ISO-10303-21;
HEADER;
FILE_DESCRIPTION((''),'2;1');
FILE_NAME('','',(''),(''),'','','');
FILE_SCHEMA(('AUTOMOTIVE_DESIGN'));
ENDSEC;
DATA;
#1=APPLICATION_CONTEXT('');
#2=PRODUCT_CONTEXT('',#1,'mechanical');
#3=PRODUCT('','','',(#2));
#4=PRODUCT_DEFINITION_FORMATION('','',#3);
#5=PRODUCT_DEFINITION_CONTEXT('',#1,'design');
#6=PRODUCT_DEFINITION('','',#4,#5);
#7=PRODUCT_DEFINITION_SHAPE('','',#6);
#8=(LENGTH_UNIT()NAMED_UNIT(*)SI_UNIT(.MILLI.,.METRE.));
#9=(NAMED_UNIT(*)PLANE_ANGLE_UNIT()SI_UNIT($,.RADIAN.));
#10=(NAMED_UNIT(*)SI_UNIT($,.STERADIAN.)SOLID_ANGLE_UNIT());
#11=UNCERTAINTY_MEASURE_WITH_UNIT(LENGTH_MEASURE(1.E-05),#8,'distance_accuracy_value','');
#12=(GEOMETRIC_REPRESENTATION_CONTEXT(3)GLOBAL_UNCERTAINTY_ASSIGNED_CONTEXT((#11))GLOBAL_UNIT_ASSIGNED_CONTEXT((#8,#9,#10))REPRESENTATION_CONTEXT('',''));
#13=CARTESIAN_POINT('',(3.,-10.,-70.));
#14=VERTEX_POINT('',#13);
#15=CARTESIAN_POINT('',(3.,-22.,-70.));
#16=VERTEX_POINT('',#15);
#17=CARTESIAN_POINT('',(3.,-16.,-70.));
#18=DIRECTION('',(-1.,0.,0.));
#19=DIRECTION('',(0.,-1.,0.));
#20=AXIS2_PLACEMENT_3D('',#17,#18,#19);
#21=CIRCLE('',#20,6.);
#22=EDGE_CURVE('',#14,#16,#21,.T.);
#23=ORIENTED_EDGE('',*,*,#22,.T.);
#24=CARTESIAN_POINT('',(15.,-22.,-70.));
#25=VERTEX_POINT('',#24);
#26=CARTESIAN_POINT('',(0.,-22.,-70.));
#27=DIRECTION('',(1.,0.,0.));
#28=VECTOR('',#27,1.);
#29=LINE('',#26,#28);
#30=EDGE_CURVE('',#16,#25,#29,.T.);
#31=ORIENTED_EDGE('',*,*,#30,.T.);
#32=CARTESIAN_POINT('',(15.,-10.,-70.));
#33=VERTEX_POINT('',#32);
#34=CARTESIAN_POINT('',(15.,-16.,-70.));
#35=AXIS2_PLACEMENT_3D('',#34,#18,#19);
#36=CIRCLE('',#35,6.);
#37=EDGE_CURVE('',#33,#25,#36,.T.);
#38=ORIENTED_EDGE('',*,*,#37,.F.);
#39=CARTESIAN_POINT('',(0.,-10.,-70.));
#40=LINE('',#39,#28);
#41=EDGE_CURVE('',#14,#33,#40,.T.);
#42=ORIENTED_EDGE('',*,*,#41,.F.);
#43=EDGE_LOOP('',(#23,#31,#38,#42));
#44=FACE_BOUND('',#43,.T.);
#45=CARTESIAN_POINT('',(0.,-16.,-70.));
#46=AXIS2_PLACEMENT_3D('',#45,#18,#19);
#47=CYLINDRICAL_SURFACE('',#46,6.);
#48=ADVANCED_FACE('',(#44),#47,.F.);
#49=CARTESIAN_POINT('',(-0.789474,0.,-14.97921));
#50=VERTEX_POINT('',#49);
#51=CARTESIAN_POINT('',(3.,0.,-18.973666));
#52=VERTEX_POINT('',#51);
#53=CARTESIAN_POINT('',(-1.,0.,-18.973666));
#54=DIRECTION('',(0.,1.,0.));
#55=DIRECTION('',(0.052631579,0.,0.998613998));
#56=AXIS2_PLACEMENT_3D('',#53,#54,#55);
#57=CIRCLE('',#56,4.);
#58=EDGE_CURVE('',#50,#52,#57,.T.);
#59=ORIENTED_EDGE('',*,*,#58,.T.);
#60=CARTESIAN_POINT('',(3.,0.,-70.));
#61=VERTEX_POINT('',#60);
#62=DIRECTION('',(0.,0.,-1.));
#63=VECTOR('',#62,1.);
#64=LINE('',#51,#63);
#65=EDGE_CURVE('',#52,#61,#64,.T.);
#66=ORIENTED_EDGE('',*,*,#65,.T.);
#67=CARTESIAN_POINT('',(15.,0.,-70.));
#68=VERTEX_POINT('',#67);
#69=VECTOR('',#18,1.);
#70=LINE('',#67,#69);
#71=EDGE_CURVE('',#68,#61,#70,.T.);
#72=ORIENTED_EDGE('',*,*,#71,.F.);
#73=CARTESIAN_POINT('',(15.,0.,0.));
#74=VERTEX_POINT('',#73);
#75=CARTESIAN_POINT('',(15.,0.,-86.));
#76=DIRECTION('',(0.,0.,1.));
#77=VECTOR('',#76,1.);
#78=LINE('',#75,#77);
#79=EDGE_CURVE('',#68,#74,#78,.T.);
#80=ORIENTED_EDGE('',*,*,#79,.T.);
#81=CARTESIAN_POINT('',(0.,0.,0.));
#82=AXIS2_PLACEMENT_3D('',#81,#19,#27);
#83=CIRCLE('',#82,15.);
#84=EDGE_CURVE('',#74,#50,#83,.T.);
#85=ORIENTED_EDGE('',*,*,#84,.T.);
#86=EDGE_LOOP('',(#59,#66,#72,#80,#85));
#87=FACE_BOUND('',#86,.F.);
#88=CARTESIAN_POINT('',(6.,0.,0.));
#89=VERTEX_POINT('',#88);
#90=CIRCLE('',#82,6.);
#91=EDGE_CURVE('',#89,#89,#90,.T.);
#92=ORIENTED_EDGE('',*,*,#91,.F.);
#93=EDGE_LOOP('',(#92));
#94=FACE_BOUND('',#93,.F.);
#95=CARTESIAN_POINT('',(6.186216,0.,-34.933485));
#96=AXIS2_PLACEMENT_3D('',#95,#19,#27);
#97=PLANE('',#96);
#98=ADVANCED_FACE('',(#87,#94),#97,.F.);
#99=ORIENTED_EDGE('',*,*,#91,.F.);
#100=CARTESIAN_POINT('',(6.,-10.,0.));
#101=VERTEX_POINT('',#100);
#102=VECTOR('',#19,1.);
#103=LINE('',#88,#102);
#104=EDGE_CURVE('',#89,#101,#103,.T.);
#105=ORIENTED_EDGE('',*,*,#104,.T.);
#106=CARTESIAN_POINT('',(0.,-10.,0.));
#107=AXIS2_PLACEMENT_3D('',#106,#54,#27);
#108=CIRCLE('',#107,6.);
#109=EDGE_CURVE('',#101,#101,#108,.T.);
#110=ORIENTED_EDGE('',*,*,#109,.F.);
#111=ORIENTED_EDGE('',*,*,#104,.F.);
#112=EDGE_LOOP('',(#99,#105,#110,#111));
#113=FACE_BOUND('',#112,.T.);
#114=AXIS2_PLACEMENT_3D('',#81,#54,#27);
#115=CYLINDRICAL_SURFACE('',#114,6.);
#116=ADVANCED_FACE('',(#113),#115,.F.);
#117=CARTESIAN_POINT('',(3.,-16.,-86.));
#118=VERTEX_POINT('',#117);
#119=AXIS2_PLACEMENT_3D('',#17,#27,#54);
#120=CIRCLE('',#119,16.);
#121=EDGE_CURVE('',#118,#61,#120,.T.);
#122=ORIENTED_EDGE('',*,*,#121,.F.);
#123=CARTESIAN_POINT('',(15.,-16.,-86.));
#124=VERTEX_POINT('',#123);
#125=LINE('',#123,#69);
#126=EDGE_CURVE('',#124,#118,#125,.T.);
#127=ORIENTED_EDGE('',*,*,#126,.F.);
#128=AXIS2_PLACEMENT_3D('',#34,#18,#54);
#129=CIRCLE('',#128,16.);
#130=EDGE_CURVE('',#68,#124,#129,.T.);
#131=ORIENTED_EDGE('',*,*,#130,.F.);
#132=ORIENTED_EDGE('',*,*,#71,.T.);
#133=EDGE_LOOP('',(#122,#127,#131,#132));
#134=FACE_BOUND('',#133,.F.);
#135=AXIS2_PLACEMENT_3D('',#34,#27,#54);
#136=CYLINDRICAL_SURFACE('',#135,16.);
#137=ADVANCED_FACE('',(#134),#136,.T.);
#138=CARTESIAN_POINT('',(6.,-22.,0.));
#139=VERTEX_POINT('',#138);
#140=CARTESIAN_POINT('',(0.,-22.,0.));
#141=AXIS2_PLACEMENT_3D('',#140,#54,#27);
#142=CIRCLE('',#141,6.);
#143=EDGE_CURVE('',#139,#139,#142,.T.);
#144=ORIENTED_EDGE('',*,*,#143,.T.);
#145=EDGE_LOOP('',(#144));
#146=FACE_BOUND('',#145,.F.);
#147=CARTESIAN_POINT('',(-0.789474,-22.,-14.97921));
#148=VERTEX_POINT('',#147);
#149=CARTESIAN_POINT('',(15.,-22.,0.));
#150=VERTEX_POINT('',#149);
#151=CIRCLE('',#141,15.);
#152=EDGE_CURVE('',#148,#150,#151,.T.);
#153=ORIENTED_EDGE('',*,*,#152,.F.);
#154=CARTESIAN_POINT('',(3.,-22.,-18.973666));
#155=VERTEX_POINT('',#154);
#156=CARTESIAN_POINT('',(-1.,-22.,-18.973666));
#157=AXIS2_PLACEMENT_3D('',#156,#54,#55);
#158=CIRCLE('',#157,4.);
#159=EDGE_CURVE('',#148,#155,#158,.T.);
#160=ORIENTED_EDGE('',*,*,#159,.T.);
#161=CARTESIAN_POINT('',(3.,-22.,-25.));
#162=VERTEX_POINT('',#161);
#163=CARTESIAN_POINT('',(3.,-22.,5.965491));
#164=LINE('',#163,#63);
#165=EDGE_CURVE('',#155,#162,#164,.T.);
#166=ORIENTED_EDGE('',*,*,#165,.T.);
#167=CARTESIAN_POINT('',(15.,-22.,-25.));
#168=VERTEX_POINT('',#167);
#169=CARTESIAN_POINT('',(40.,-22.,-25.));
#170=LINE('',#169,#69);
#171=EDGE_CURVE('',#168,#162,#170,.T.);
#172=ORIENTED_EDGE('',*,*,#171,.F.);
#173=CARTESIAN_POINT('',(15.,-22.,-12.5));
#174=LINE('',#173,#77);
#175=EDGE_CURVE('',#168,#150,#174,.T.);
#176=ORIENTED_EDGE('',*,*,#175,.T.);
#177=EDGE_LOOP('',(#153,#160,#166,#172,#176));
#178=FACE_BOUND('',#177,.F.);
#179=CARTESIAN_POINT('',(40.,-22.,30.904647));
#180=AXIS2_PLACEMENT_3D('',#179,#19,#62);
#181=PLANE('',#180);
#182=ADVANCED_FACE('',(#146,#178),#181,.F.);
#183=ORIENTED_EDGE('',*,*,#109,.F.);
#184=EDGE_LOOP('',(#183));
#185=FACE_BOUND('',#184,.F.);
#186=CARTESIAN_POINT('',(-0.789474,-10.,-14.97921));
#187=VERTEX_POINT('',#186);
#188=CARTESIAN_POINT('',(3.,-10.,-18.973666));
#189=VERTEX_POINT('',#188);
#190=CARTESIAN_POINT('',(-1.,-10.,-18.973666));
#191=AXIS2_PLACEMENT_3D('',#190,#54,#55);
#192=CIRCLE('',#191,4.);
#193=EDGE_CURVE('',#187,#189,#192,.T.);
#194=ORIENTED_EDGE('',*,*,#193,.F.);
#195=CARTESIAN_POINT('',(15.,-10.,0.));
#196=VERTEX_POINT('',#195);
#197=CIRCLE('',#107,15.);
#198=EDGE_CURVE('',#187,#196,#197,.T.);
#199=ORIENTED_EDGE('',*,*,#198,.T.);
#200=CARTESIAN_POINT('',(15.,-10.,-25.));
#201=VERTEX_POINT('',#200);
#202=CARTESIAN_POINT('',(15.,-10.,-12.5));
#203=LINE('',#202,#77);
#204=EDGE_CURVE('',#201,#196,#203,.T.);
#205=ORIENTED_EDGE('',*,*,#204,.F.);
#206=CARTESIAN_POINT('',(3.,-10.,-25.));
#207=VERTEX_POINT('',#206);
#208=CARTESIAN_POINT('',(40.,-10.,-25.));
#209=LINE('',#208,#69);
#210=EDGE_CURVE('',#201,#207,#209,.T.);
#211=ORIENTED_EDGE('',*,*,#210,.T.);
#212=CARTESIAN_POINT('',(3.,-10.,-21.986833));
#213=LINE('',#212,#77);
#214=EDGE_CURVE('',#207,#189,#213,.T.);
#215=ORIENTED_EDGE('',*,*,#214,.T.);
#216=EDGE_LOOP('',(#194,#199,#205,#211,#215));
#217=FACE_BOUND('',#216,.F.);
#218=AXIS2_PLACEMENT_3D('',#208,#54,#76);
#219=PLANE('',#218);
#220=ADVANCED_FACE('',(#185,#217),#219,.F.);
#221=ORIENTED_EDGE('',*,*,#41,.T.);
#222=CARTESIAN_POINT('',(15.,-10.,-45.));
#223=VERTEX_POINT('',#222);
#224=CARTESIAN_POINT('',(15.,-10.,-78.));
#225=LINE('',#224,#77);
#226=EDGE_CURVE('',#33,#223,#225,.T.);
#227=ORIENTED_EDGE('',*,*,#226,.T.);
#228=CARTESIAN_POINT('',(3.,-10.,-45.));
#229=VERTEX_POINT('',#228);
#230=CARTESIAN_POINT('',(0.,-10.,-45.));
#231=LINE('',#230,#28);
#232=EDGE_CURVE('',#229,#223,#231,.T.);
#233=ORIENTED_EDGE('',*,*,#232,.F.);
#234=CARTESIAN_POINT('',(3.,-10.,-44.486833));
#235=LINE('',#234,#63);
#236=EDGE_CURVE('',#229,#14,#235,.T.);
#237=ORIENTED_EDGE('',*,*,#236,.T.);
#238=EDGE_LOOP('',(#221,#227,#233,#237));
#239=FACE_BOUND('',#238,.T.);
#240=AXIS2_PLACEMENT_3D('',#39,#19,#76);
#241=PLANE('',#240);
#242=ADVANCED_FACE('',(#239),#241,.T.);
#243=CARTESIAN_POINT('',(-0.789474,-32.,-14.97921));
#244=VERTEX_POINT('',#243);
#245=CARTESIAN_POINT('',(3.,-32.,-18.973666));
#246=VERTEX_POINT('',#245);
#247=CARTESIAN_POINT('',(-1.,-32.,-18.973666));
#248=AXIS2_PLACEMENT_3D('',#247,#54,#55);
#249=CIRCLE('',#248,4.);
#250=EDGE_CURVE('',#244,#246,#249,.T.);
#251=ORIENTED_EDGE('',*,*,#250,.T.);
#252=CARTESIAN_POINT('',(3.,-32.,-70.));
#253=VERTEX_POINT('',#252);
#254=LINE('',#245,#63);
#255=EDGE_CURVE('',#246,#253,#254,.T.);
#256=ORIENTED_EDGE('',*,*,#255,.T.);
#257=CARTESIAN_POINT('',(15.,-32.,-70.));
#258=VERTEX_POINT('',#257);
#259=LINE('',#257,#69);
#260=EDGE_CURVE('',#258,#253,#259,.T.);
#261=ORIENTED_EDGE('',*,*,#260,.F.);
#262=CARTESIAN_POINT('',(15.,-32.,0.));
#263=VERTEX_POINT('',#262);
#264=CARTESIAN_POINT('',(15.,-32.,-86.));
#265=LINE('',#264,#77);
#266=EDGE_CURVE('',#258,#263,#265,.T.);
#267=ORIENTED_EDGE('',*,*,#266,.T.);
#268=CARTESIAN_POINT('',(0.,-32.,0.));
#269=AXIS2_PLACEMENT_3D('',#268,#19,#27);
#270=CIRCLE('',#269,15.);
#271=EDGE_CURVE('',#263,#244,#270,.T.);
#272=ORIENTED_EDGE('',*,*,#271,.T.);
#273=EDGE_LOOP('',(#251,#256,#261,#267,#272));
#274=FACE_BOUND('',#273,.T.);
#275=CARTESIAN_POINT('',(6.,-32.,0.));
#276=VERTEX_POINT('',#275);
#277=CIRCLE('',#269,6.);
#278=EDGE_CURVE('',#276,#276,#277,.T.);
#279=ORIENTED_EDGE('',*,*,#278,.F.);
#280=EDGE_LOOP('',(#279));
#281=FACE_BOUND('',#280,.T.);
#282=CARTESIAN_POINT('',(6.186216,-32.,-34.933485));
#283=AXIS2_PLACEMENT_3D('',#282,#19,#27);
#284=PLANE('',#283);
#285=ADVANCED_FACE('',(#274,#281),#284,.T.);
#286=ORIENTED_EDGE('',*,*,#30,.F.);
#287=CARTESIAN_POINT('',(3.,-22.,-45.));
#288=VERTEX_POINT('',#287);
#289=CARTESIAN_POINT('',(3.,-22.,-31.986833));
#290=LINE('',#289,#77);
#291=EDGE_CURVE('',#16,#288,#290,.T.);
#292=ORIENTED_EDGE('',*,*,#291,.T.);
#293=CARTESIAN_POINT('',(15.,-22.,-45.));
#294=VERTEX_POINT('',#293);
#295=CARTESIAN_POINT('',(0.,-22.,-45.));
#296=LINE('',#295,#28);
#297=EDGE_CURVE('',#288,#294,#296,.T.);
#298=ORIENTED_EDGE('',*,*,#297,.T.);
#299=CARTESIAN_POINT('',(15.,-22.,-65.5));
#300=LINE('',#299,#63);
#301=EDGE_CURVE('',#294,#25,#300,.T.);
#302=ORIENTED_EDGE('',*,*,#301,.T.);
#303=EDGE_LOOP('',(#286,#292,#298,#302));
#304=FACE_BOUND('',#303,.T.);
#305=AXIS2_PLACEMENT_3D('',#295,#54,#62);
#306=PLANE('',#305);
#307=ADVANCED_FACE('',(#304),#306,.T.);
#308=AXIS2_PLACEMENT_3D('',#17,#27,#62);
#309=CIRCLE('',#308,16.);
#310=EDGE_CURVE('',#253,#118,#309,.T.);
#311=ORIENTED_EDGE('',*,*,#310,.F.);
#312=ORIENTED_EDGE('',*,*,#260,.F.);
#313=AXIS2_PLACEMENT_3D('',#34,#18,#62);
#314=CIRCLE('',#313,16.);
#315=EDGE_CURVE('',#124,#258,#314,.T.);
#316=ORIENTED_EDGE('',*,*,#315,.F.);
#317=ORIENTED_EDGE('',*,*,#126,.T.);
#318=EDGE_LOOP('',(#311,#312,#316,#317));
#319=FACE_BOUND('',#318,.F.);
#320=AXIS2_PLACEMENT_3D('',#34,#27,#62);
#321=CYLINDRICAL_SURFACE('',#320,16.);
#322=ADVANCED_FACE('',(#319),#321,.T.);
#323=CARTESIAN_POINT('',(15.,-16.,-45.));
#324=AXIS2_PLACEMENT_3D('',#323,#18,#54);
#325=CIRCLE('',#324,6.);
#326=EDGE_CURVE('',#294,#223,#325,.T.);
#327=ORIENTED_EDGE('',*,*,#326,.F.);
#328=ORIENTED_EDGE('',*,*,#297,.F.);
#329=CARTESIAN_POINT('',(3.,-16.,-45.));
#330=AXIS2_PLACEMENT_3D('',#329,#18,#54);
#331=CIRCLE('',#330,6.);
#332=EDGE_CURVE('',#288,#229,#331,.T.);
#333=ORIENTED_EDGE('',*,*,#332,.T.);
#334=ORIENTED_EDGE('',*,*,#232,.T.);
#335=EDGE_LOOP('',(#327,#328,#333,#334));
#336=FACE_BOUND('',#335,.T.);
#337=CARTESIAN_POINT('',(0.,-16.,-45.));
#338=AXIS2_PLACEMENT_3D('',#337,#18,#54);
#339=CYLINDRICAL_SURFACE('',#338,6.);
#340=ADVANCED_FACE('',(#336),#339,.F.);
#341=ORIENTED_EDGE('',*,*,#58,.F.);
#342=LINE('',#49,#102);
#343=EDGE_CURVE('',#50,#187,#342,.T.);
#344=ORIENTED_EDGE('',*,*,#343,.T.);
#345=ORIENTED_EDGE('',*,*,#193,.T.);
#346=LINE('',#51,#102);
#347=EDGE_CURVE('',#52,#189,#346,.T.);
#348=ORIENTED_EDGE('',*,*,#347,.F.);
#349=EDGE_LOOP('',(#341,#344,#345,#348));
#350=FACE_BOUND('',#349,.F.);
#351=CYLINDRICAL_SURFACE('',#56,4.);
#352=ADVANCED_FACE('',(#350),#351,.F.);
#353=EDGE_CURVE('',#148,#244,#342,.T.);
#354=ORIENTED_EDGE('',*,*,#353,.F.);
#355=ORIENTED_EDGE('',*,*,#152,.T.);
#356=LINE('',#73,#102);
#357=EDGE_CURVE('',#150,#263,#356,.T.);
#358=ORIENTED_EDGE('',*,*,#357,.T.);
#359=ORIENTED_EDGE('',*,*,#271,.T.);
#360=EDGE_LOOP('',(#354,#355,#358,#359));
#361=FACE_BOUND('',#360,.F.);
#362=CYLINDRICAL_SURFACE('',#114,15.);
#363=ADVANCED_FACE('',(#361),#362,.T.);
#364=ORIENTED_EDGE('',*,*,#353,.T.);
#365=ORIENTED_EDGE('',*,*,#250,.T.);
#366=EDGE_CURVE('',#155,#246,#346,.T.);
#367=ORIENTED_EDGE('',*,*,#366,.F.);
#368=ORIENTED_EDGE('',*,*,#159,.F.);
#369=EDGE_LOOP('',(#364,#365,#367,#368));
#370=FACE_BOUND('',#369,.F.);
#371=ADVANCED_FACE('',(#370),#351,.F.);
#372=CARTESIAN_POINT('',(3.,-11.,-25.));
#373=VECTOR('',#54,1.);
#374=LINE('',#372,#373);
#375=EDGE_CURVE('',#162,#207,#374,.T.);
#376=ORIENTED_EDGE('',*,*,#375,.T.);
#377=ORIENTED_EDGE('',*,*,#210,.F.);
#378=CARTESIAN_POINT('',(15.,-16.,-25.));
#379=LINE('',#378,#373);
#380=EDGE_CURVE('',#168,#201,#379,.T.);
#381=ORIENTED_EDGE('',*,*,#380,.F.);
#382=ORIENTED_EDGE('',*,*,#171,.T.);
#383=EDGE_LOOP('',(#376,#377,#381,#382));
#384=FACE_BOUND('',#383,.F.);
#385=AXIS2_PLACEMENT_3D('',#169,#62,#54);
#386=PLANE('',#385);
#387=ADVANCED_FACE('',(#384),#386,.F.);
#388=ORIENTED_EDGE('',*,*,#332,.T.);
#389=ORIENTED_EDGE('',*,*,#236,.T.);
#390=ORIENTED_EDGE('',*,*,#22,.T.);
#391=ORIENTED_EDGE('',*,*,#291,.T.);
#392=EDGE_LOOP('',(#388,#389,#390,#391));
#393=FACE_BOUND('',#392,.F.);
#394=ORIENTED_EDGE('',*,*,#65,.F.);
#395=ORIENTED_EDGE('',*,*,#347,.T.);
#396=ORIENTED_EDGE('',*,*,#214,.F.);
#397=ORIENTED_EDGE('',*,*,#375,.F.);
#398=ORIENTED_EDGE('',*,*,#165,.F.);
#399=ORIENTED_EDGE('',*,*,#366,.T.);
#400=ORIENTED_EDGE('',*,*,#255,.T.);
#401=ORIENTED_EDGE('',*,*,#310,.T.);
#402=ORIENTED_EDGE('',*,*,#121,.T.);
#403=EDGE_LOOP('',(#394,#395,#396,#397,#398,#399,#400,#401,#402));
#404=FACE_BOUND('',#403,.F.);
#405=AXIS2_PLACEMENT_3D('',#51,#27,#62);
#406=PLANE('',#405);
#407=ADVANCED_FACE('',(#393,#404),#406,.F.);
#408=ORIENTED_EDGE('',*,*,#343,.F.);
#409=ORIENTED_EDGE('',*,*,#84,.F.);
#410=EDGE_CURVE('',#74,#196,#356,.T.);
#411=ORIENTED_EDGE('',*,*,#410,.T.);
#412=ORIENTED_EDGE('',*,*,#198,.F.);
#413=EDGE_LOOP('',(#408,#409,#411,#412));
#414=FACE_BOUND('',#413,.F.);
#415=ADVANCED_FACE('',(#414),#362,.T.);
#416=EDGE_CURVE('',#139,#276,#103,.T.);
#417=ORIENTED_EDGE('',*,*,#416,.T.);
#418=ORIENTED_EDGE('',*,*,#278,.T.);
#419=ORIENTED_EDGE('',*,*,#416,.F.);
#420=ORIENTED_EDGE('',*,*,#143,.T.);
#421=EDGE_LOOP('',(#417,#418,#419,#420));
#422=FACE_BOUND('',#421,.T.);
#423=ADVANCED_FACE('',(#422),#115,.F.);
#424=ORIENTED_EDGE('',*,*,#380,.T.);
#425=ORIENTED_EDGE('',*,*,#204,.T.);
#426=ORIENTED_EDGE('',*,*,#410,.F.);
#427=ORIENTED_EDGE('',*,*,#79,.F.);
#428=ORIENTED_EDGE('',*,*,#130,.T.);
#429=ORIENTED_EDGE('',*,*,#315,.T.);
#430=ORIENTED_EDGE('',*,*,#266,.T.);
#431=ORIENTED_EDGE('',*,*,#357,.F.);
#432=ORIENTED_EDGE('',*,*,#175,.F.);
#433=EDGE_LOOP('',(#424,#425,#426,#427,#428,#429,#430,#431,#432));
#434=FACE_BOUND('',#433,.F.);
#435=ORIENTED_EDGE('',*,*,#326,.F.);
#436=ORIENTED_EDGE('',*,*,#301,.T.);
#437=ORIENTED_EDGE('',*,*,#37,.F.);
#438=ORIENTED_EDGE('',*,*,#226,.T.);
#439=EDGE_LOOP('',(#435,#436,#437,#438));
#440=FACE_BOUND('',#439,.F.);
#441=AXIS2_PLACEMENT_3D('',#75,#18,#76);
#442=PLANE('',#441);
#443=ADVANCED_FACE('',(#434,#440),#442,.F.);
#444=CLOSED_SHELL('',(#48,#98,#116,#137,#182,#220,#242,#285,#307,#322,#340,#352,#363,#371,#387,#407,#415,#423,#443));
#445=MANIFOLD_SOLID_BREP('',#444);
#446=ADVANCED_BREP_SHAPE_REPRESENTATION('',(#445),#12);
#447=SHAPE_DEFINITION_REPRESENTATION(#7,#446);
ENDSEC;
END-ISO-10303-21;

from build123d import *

# Parameters (mm, degrees)
F0_R     = 6
F1_DEPTH = 32
F3_DEPTH = 15.001
F5_DEPTH = 30.001
F6_W     = 12
F6_H     = 25
F7_DEPTH = 25
F8_W     = 12
F8_H     = 30.9046469629
F9_DEPTH = 55.001


with BuildPart() as f1:
    # F0 (on Front) → F1 (new body)
    with BuildSketch(Plane.XZ):
        with BuildLine():
            Line((15, -86), (15, 0))
            ThreePointArc((15, 0), (-10.3237080242, 10.8821437517), (-0.7894736842, -14.9792099692))
            ThreePointArc((-0.7894736842, -14.9792099692), (1.9019050004, -16.2206771546), (3, -18.973665961))
            Line((3, -18.973665961), (3, -86))
            Line((3, -86), (15, -86))
        make_face()
        Circle(F0_R, mode=Mode.SUBTRACT)
    extrude(amount=F1_DEPTH)

    # F2 (on Right) → F3 (cut, through all)
    with BuildSketch(Plane.YZ):
        with BuildLine():
            Line((-10, -70), (-10, -45))
            ThreePointArc((-10, -45), (-16, -39), (-22, -45))
            Line((-22, -45), (-22, -70))
            ThreePointArc((-22, -70), (-16, -76), (-10, -70))
        make_face()
    extrude(amount=F3_DEPTH, mode=Mode.SUBTRACT)

    # F4 (on face) → F5 (cut, through all)
    with BuildSketch(Plane.YZ.offset(15)):
        with BuildLine():
            Line((-32, -70), (-32, -86))
            Line((-32, -86), (-16, -86))
            ThreePointArc((-16, -86), (-27.313708499, -81.313708499), (-32, -70))
        make_face()
        with BuildLine():
            ThreePointArc((0, -70), (-4.686291501, -81.313708499), (-16, -86))
            Line((-16, -86), (0, -86))
            Line((0, -86), (0, -70))
        make_face()
    extrude(amount=-F5_DEPTH, mode=Mode.SUBTRACT)

    # F6 (on face) → F7 (join)
    with BuildSketch(Plane.YZ.offset(15)):
        with Locations((-16, -12.5)):
            Rectangle(F6_W, F6_H)
    extrude(amount=F7_DEPTH)

    # F8 (on face) → F9 (cut, through all)
    with BuildSketch(Plane.YZ.offset(40)):
        Polygon((-10, 0), (-22, 0), (-22, -25), (-10, -25), (-10, -2.2846085485), align=None)
        with Locations((-16, 15.4523234814)):
            Rectangle(F8_W, F8_H)
    extrude(amount=-F9_DEPTH, mode=Mode.SUBTRACT)


solid = f1.part
